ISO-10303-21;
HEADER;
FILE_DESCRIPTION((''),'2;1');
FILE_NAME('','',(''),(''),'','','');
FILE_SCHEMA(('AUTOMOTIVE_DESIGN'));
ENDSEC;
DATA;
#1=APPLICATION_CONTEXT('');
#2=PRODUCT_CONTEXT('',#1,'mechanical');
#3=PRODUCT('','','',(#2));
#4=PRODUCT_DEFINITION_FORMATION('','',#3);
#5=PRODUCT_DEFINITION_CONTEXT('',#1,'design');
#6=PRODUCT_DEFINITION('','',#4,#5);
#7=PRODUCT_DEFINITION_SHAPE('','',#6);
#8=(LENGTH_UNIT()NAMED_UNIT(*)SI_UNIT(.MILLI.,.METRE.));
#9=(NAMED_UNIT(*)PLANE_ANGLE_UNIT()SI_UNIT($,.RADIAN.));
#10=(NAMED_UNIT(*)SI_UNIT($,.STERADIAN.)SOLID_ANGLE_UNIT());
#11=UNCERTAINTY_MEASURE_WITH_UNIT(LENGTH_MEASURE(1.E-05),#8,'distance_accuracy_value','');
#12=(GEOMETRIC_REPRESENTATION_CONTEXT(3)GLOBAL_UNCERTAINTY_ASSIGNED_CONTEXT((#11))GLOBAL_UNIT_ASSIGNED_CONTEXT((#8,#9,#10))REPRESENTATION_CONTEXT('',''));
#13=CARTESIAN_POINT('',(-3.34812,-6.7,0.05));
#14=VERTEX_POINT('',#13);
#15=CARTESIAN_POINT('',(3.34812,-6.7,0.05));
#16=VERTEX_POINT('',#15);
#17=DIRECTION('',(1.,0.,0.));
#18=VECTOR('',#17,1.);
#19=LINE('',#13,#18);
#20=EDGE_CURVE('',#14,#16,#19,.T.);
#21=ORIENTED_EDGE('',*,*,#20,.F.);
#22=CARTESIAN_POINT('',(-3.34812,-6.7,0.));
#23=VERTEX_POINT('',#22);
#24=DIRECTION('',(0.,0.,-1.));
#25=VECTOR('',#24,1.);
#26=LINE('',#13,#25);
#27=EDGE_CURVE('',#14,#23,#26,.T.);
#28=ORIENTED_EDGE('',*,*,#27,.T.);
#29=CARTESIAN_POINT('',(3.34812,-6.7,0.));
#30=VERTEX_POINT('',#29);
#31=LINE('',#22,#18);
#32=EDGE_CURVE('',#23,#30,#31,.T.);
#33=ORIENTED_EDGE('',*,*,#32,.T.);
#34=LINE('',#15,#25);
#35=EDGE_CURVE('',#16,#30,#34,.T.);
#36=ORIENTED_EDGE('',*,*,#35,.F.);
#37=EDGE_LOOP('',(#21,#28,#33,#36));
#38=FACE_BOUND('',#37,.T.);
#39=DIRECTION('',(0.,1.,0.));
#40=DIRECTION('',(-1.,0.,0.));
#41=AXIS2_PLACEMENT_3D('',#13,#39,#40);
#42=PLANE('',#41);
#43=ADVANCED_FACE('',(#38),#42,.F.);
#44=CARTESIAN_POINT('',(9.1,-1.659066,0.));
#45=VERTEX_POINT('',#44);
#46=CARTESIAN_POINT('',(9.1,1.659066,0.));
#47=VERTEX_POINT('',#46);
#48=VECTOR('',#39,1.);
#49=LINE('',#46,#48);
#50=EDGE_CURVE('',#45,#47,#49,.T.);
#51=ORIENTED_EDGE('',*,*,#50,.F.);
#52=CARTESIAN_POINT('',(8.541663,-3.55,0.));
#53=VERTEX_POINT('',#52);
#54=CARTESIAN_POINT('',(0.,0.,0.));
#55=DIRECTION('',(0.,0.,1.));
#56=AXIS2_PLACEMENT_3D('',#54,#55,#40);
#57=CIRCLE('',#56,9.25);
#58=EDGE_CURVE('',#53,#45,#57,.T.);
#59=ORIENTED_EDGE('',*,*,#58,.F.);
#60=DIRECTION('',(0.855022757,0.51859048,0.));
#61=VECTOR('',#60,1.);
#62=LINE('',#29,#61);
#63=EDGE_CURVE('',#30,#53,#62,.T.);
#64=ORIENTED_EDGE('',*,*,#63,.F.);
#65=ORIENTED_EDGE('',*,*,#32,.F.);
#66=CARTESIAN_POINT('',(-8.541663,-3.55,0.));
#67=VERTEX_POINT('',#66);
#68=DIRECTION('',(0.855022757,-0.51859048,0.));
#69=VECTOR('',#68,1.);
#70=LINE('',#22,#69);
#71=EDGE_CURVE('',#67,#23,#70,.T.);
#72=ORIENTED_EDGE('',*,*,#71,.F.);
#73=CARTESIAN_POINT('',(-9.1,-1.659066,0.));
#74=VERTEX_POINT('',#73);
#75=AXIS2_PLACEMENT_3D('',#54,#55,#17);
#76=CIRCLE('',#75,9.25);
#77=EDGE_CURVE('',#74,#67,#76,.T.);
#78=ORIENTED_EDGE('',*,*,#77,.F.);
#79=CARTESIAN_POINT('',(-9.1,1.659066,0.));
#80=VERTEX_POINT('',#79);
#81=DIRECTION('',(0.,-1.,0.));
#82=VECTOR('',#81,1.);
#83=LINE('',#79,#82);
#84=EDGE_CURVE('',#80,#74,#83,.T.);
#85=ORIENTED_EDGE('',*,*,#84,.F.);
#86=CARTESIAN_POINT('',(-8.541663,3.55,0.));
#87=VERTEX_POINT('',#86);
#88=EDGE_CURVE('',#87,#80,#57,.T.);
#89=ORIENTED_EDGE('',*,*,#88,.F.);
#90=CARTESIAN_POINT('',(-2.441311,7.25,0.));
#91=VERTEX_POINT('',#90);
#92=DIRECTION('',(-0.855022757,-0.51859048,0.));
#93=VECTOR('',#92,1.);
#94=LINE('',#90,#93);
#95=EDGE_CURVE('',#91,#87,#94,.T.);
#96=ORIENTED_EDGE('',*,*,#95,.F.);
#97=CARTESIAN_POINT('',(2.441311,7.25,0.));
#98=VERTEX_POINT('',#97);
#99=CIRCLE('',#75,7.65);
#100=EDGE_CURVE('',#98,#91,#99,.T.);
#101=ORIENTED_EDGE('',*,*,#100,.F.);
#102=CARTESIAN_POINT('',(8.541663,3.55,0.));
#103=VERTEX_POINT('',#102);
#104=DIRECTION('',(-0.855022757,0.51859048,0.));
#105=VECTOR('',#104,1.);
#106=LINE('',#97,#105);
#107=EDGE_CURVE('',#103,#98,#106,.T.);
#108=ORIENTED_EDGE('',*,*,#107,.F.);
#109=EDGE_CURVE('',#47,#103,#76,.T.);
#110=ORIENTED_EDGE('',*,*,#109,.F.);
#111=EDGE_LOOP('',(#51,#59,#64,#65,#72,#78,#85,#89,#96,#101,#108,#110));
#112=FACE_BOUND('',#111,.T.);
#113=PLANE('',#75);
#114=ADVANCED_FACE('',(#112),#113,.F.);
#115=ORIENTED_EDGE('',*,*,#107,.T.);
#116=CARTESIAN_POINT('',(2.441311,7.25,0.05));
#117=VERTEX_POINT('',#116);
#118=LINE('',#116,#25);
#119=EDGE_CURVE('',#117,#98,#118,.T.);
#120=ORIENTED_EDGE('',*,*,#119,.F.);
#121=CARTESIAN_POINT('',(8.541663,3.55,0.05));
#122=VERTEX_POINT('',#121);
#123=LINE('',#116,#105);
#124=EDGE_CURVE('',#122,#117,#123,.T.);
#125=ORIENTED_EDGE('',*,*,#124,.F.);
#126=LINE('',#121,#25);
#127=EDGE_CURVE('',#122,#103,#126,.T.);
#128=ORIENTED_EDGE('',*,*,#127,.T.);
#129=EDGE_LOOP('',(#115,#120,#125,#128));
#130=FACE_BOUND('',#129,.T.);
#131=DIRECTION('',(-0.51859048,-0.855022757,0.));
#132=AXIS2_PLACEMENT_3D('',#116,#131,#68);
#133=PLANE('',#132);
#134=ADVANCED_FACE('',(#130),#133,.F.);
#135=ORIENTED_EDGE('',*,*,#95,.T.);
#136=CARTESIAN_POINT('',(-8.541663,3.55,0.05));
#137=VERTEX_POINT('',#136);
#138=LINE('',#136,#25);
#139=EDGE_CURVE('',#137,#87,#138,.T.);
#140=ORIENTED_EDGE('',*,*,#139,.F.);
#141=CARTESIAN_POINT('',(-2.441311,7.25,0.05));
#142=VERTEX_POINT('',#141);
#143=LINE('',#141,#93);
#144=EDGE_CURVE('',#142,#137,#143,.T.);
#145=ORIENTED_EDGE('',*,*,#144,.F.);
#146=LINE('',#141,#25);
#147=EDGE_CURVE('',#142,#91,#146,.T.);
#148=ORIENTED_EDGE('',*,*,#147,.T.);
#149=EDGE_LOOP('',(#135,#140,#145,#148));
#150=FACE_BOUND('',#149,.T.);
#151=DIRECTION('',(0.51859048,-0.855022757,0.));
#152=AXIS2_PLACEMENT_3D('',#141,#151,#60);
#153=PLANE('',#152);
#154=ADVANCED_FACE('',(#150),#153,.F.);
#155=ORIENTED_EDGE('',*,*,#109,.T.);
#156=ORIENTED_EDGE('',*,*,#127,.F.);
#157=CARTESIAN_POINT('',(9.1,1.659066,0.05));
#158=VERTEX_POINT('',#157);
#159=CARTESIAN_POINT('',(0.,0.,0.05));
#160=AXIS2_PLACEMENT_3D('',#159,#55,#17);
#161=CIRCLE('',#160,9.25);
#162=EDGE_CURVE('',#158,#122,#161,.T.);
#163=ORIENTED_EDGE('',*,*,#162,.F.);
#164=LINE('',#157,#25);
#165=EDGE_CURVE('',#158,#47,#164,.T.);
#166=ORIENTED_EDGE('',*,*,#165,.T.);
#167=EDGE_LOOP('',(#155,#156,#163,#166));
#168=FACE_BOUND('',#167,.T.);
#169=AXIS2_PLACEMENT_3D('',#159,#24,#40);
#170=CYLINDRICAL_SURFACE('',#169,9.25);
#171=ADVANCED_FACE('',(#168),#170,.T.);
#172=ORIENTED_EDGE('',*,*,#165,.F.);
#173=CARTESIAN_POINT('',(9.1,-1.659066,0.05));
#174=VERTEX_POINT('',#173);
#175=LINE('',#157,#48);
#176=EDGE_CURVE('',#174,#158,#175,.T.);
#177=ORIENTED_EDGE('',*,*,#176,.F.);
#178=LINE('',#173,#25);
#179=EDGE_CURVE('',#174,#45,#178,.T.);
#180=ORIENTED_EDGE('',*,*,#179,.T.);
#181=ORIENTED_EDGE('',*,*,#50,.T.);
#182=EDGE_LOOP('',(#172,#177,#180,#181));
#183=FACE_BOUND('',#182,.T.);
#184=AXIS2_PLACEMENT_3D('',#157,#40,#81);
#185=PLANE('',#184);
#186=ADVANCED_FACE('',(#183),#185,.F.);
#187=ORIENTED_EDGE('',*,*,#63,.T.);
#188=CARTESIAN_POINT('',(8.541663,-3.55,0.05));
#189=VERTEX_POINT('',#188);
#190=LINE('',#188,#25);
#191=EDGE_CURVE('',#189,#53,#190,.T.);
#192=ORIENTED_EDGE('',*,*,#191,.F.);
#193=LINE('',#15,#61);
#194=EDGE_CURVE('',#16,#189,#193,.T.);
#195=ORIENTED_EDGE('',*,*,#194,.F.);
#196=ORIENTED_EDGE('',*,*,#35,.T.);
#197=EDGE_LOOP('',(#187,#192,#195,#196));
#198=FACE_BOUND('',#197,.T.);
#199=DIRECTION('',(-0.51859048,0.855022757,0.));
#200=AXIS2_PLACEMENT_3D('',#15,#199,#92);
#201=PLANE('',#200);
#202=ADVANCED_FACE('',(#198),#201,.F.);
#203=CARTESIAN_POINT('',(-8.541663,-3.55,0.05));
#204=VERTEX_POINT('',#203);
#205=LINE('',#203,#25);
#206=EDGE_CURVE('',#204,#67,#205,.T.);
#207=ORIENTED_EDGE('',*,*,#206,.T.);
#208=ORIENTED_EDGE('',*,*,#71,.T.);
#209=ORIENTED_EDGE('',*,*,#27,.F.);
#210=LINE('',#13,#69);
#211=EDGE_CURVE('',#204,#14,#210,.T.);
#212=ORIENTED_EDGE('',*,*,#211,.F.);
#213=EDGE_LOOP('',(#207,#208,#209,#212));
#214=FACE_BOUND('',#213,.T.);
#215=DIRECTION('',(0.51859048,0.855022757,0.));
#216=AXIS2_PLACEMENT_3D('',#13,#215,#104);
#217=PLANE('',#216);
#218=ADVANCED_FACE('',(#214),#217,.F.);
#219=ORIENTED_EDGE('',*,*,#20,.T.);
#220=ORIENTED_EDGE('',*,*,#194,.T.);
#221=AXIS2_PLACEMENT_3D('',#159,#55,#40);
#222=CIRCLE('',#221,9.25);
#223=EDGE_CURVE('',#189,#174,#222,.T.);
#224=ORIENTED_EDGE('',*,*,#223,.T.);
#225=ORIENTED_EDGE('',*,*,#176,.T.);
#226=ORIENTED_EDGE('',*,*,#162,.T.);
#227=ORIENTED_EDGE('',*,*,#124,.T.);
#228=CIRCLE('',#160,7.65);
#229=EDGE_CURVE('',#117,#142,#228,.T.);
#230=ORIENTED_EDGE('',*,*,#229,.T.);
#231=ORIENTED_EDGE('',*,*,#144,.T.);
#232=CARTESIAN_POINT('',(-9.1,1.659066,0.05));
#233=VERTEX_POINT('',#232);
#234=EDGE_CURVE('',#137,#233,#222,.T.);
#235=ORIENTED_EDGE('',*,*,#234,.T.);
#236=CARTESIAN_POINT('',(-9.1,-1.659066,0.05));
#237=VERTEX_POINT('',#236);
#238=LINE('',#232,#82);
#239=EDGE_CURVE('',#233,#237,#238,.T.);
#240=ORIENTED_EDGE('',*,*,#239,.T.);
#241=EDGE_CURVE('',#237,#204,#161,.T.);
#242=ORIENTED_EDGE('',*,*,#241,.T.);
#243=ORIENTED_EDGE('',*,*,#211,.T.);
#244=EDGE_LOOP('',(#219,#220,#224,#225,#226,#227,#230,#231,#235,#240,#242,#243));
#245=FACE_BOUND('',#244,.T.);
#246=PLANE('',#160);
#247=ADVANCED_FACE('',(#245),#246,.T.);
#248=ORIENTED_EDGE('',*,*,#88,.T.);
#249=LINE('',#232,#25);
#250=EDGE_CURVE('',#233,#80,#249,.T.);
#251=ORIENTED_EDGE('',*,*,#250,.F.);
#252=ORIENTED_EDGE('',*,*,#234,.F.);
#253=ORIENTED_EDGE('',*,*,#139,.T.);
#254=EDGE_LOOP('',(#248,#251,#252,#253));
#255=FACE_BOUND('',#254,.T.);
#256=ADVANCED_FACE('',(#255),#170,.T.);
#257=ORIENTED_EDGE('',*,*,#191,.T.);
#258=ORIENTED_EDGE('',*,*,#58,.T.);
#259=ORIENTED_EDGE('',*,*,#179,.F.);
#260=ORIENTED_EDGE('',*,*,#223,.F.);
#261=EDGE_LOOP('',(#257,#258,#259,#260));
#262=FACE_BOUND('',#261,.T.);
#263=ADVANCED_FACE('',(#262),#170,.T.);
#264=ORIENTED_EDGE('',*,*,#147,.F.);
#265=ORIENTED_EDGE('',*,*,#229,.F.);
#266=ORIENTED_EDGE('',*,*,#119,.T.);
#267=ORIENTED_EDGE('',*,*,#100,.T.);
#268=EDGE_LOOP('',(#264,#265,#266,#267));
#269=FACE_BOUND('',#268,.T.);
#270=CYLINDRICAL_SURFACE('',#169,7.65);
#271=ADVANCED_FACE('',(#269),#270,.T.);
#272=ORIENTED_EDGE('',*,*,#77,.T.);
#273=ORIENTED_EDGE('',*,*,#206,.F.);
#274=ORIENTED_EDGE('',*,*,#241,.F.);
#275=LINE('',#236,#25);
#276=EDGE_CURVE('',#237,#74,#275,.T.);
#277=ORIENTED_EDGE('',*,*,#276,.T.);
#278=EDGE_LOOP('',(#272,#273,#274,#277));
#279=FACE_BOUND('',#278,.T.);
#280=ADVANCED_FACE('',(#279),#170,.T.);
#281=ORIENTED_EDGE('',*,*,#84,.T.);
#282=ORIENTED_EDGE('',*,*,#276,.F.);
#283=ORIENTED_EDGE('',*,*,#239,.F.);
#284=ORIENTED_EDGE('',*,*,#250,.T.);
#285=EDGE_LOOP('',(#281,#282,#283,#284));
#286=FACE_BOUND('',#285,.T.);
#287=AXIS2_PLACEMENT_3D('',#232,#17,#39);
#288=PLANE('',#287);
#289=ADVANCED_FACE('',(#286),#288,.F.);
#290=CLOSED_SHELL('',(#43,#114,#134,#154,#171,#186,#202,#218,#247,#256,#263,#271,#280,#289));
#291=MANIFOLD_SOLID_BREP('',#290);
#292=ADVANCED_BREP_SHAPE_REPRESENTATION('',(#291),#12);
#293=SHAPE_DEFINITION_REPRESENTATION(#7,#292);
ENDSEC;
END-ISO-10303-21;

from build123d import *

# Parameters (mm, degrees)
BOSS_EXTRU_1_DEPTH = 0.05


with BuildPart() as part:
    # Esquisse1 → Boss.-Extru.1 (new body)
    with BuildSketch(Plane.XY):
        with BuildLine():
            Line((9.1, 1.659066002), (9.1, -1.659066002))
            ThreePointArc((9.1, -1.659066002), (8.871356868, -2.619451721), (8.541662602, -3.55))
            Line((8.541662602, -3.55), (3.348120127, -6.7))
            Line((3.348120127, -6.7), (-3.348120127, -6.7))
            Line((-3.348120127, -6.7), (-8.541662602, -3.55))
            ThreePointArc((-8.541662602, -3.55), (-8.871356868, -2.619451721), (-9.1, -1.659066002))
            Line((-9.1, -1.659066002), (-9.1, 1.659066002))
            ThreePointArc((-9.1, 1.659066002), (-8.871356868, 2.619451721), (-8.541662602, 3.55))
            Line((-8.541662602, 3.55), (-2.441311123, 7.25))
            ThreePointArc((-2.441311123, 7.25), (0, 7.65), (2.441311123, 7.25))
            Line((2.441311123, 7.25), (8.541662602, 3.55))
            ThreePointArc((8.541662602, 3.55), (8.871356868, 2.619451721), (9.1, 1.659066002))
        make_face()
    extrude(amount=BOSS_EXTRU_1_DEPTH)


solid = part.part
